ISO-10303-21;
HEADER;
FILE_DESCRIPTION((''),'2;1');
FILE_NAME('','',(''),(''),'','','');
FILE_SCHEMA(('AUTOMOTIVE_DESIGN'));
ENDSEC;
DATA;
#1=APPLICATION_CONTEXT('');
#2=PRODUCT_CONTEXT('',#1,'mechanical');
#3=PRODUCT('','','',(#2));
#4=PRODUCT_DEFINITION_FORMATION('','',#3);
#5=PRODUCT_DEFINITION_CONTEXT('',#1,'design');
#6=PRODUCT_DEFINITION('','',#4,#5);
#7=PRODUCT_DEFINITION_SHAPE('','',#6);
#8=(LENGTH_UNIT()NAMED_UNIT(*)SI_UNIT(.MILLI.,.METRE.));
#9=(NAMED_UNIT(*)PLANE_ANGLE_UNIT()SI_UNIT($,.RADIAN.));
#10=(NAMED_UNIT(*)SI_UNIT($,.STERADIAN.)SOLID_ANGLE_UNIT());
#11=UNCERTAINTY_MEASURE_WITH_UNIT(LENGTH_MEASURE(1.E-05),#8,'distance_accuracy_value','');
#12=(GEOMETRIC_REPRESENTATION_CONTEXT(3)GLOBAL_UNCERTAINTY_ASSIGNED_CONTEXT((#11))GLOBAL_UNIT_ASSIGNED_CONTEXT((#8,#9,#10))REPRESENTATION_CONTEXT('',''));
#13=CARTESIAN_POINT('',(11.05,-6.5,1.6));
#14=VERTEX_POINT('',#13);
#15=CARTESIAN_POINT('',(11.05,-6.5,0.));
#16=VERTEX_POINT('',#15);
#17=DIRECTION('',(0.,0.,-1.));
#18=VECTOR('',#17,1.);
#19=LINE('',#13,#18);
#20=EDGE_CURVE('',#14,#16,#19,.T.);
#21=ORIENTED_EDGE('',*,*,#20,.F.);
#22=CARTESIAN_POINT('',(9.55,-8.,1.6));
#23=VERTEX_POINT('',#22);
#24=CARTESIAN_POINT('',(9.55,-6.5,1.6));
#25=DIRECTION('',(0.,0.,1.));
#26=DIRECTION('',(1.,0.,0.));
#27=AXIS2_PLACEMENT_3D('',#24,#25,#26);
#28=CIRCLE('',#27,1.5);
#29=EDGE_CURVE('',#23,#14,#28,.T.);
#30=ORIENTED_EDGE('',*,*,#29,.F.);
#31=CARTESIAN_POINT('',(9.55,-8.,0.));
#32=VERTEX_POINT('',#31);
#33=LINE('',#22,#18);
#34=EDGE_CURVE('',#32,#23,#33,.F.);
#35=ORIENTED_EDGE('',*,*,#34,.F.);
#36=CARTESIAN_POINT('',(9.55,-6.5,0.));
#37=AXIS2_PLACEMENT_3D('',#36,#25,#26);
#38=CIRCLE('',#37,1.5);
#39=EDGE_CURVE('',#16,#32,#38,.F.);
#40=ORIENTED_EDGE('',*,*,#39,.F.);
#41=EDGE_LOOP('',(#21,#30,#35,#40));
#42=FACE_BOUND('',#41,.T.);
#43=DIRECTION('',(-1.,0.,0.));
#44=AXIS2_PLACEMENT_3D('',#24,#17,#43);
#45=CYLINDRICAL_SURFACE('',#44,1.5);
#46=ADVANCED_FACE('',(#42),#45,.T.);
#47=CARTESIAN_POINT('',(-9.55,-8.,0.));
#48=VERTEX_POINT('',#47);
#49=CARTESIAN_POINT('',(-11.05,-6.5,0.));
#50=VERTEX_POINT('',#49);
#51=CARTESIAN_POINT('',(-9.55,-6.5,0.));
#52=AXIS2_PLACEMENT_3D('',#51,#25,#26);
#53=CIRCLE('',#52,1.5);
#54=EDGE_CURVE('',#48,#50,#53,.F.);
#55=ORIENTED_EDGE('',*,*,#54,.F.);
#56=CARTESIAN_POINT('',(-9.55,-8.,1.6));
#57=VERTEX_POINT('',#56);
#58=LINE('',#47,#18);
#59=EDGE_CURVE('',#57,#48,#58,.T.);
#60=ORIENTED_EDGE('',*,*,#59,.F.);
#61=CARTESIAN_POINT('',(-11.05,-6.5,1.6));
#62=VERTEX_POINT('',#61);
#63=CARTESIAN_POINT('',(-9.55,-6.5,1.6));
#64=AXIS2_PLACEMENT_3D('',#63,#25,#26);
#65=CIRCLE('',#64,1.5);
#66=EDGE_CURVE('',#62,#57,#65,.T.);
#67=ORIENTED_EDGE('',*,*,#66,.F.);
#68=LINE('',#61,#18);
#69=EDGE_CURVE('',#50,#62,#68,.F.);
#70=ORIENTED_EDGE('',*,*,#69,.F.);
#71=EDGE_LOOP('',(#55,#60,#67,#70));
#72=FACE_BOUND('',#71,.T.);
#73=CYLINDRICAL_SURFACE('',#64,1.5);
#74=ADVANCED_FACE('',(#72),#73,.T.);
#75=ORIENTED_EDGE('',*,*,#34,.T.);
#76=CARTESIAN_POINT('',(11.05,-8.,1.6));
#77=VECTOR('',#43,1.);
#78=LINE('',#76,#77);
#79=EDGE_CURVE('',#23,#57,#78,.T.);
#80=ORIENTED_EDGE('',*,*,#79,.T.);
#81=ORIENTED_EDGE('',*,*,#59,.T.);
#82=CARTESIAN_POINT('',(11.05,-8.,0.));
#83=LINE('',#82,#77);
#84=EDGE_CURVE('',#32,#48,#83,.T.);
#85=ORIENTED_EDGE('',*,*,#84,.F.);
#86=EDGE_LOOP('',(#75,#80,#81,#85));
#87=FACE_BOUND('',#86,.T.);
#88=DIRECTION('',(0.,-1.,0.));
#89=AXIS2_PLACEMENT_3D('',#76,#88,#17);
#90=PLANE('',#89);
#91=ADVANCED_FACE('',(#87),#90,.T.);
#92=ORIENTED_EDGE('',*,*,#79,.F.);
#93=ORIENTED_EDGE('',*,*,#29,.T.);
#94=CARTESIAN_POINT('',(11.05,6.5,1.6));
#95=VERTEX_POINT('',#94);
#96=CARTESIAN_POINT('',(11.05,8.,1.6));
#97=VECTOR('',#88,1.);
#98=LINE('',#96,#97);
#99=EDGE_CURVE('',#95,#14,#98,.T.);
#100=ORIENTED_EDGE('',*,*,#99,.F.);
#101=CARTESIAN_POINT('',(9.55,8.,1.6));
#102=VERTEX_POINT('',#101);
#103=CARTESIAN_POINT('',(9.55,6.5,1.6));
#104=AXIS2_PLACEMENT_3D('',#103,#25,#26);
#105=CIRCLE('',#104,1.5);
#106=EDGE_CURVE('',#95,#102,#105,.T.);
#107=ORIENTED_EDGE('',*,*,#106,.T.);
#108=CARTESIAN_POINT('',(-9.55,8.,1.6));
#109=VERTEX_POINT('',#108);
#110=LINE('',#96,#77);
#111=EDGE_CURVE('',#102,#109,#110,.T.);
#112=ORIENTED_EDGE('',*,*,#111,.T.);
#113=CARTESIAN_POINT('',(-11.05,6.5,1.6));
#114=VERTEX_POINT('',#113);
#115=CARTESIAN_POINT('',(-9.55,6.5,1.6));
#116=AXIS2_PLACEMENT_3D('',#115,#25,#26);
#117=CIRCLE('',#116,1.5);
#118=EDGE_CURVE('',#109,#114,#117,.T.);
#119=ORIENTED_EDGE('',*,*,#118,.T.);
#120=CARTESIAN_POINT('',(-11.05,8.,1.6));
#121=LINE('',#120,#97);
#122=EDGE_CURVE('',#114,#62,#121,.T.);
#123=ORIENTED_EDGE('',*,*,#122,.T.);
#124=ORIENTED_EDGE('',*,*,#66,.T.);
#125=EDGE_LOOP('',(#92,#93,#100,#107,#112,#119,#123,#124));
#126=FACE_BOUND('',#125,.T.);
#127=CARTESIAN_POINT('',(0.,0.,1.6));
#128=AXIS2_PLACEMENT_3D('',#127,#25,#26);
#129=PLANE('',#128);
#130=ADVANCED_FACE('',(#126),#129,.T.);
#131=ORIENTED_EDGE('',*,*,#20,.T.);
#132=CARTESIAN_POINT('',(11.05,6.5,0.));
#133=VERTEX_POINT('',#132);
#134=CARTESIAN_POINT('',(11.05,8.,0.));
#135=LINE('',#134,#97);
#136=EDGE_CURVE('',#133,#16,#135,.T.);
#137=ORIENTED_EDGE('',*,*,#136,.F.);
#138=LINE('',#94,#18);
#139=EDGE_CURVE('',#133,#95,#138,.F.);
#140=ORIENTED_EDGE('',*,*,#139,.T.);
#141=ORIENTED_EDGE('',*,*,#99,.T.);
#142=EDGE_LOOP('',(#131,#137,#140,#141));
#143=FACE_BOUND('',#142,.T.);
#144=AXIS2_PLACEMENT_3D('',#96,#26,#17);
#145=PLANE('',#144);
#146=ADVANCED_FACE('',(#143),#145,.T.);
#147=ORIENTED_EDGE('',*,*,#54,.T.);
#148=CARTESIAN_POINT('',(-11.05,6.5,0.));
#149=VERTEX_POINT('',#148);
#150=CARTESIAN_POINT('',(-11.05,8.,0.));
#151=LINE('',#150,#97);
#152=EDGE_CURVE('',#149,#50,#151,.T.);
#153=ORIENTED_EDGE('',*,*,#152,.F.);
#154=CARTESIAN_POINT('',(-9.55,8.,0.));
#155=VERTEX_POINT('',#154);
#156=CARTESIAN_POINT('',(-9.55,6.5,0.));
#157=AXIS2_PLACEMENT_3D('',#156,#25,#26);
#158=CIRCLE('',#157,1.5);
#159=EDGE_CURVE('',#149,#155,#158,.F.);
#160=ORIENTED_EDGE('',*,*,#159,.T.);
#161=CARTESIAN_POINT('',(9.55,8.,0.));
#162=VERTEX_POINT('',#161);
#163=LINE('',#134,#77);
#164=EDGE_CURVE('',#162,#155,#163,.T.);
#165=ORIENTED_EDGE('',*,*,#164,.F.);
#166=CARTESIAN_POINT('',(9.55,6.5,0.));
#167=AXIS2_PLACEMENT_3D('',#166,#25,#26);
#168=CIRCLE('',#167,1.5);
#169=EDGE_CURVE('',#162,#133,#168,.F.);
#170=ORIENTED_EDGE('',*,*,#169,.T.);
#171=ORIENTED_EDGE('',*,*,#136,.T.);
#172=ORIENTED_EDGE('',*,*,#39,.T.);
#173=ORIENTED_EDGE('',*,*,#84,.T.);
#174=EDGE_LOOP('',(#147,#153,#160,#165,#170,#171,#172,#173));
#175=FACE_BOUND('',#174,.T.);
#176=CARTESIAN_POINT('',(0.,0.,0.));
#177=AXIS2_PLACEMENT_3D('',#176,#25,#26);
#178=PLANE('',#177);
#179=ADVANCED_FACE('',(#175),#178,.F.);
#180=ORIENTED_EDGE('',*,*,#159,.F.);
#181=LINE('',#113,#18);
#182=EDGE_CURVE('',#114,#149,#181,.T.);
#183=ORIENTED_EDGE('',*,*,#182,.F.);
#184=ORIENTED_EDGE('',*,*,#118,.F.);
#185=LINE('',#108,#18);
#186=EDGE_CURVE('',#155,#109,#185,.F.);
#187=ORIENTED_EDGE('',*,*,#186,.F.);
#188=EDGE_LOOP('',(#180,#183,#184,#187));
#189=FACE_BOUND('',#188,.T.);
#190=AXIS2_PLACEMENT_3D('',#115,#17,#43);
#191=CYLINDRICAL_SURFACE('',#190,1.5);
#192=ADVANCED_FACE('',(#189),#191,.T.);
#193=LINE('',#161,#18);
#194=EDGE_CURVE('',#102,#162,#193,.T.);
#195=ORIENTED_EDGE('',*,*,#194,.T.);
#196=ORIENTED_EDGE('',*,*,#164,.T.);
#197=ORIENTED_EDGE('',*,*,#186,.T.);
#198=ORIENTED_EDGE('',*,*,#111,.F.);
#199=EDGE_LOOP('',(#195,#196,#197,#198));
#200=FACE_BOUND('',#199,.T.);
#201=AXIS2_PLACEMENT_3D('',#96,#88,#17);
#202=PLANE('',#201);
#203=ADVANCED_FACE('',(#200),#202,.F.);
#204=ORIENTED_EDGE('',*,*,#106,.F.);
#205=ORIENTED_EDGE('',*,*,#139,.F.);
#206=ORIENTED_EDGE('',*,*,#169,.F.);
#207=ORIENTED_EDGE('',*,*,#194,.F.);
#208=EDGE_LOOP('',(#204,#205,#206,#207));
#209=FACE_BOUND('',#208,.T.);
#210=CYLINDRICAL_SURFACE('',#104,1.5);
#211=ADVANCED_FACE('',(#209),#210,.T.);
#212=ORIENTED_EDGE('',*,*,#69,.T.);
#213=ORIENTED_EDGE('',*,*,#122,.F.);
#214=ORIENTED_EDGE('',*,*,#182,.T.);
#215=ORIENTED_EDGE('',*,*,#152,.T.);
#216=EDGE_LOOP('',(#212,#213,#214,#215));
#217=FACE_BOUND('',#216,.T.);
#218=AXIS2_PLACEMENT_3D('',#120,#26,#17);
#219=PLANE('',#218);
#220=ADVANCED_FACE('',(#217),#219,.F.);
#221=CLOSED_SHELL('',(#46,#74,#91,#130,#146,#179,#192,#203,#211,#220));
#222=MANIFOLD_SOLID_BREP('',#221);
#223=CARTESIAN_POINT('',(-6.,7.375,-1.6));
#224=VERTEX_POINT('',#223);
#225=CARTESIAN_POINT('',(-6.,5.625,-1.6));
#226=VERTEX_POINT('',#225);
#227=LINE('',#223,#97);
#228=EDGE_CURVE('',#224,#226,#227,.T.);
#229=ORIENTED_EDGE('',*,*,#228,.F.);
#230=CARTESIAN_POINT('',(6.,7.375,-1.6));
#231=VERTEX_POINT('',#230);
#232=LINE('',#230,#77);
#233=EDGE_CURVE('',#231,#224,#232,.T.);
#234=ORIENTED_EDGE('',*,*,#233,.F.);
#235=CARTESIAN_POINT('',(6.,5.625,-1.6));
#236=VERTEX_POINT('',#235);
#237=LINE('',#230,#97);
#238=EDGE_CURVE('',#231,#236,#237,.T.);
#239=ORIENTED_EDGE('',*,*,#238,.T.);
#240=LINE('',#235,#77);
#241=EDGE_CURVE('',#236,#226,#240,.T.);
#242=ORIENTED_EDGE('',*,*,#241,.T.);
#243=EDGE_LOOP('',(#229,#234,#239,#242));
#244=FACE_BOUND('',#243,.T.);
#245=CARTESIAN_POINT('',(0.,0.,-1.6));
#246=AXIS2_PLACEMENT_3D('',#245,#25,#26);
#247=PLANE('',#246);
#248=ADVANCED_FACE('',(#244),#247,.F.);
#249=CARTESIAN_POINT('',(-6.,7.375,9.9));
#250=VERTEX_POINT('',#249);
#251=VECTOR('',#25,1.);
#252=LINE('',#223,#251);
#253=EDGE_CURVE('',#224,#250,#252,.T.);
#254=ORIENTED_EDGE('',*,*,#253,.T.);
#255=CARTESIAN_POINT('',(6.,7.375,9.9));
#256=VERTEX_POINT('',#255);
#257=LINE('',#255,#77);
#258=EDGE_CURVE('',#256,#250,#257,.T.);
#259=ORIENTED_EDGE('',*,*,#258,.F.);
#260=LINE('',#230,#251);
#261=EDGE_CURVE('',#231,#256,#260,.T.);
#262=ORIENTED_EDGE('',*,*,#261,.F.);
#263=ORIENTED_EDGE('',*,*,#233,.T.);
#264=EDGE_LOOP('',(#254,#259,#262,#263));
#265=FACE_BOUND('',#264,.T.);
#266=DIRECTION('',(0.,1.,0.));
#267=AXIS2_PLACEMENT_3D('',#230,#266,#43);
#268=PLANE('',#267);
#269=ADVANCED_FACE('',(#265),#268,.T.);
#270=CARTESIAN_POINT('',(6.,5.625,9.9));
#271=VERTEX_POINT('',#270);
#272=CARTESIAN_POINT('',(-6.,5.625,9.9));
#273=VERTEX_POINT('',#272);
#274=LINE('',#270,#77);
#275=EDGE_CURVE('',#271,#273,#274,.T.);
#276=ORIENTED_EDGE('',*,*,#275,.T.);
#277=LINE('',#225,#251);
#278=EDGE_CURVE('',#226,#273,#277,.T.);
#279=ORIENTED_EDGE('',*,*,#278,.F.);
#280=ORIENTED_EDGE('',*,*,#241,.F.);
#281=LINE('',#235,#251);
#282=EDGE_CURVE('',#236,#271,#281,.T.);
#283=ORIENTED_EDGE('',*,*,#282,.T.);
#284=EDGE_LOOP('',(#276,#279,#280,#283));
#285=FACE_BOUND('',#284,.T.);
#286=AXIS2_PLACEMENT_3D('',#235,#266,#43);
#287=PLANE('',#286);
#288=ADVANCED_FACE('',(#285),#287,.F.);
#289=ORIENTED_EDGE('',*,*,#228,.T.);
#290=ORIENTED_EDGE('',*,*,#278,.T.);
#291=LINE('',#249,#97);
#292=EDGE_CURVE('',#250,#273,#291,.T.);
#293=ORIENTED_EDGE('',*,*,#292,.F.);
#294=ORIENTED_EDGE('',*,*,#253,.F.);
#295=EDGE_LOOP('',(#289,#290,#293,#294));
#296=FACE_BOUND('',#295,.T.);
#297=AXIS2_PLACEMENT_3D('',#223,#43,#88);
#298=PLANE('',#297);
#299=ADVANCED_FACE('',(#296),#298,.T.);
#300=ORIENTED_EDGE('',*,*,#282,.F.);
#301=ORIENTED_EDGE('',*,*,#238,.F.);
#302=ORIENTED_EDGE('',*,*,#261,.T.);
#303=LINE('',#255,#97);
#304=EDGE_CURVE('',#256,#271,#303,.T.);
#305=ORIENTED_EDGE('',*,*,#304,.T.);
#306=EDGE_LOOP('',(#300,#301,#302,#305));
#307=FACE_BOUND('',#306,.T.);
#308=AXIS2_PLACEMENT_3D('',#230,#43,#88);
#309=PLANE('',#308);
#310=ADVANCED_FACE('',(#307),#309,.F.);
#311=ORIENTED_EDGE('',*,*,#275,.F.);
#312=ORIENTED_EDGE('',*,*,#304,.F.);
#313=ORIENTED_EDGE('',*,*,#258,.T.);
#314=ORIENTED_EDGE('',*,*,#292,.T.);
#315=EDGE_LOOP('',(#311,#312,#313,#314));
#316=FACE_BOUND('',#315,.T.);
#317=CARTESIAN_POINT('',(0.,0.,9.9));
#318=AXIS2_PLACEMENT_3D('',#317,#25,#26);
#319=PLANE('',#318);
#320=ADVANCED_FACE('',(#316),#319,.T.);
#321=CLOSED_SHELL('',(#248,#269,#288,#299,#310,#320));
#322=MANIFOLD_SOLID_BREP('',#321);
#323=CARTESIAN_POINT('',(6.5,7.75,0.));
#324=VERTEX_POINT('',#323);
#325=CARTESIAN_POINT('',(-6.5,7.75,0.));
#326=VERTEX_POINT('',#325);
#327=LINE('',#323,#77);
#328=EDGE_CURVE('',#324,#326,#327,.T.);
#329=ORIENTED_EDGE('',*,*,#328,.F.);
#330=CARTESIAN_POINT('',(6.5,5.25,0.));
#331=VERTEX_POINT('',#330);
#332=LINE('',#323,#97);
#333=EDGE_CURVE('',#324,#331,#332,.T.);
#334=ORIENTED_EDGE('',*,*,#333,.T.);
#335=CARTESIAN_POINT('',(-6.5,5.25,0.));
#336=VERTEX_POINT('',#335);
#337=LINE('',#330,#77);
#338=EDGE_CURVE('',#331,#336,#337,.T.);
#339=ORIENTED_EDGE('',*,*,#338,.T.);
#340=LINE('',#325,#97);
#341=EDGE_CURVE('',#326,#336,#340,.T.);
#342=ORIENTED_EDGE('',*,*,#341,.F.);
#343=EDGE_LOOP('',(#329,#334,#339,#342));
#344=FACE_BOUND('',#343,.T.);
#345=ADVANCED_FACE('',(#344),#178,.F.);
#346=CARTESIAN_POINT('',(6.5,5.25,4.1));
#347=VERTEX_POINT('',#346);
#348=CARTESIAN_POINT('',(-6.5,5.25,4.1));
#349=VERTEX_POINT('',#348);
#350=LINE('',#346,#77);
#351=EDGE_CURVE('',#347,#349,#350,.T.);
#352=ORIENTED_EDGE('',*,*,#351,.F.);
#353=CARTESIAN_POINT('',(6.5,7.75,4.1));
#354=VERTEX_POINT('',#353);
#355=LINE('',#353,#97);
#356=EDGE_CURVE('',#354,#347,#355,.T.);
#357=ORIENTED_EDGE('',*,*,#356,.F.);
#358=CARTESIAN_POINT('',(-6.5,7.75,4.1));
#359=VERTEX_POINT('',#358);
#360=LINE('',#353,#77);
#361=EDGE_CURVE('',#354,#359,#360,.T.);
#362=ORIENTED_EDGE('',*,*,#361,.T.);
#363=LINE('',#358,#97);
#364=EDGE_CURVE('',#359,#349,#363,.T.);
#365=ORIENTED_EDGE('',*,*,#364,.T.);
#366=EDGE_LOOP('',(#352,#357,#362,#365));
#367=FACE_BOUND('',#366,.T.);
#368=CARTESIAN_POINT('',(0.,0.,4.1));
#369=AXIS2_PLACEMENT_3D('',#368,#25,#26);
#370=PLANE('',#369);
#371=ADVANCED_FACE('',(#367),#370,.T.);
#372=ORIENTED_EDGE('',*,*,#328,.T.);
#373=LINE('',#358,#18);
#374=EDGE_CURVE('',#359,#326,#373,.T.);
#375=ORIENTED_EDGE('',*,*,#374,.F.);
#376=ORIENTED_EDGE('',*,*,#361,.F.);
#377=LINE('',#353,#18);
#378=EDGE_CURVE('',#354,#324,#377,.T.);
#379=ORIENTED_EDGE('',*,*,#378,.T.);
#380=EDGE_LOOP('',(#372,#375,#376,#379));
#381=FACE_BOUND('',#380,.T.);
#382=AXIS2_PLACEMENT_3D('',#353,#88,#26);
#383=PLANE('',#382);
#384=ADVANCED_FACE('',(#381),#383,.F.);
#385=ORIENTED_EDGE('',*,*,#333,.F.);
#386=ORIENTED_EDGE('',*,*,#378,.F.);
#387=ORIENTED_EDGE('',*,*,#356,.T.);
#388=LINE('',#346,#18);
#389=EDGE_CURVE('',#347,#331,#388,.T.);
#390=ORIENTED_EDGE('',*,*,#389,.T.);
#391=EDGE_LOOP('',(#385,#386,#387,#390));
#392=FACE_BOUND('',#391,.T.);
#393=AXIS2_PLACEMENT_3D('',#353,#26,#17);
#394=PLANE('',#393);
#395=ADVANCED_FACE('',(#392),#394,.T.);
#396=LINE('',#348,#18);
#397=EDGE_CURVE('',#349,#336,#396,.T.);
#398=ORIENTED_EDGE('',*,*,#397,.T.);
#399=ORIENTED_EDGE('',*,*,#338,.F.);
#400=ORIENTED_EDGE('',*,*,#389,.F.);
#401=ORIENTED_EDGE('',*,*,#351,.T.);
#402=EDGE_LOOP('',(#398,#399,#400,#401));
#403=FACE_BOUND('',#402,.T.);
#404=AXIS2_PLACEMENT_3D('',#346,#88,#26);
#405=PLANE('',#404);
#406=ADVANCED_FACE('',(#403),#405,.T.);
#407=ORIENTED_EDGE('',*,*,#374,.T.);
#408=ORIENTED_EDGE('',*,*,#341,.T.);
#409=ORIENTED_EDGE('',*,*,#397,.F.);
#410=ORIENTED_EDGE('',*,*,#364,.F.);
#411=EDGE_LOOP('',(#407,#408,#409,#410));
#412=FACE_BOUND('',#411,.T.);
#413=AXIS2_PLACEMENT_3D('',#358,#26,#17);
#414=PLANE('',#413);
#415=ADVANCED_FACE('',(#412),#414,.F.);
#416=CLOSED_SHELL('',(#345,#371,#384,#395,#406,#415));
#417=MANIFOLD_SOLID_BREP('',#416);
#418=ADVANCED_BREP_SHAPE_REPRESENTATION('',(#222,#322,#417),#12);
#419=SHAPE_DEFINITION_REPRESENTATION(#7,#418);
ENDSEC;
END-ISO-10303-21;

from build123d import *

# Parameters (mm, degrees)
SKETCH1_W                = 22.1
SKETCH1_H                = 16
BOSS_EXTRUDE1_DEPTH      = 1.6
BOSS_EXTRUDE2_DEPTH      = 9.9
BOSS_EXTRUDE2_DEPTH_BACK = 1.6
SKETCH1_3_W              = 12
SKETCH1_3_H              = 1.75
SKETCH1_4_W              = 13
SKETCH1_4_H              = 2.5
BOSS_EXTRUDE3_DEPTH      = 4.1
FILLET1_R                = 1.5


with BuildPart() as part:
    # Sketch1 → Boss-Extrude1 (new body)
    with BuildSketch(Plane.XY):
        Rectangle(SKETCH1_W, SKETCH1_H)
    extrude(amount=BOSS_EXTRUDE1_DEPTH)

    # Fillet1
    fillet1_edges = [part.edges().sort_by_distance(p)[0] for p in [
        (11.05, 8, 0.8),
        (11.05, -8, 0.8),
        (-11.05, -8, 0.8),
        (-11.05, 8, 0.8),
    ]]
    fillet(fillet1_edges, radius=FILLET1_R)


with BuildPart() as body_2:
    # Sketch1<3> → Boss-Extrude2 (new, two sides: drawn at the far end of the back side and taken through both)
    with BuildSketch(Plane.XY.offset(-BOSS_EXTRUDE2_DEPTH_BACK)):
        with Locations((0, 6.5)):
            Rectangle(SKETCH1_3_W, SKETCH1_3_H)
    extrude(amount=BOSS_EXTRUDE2_DEPTH + BOSS_EXTRUDE2_DEPTH_BACK)


with BuildPart() as body_3:
    # Sketch1<4> → Boss-Extrude3 (new body)
    with BuildSketch(Plane.XY):
        with Locations((0, 6.5)):
            Rectangle(SKETCH1_4_W, SKETCH1_4_H)
    extrude(amount=BOSS_EXTRUDE3_DEPTH)


solid = Compound([part.part, body_2.part, body_3.part])
